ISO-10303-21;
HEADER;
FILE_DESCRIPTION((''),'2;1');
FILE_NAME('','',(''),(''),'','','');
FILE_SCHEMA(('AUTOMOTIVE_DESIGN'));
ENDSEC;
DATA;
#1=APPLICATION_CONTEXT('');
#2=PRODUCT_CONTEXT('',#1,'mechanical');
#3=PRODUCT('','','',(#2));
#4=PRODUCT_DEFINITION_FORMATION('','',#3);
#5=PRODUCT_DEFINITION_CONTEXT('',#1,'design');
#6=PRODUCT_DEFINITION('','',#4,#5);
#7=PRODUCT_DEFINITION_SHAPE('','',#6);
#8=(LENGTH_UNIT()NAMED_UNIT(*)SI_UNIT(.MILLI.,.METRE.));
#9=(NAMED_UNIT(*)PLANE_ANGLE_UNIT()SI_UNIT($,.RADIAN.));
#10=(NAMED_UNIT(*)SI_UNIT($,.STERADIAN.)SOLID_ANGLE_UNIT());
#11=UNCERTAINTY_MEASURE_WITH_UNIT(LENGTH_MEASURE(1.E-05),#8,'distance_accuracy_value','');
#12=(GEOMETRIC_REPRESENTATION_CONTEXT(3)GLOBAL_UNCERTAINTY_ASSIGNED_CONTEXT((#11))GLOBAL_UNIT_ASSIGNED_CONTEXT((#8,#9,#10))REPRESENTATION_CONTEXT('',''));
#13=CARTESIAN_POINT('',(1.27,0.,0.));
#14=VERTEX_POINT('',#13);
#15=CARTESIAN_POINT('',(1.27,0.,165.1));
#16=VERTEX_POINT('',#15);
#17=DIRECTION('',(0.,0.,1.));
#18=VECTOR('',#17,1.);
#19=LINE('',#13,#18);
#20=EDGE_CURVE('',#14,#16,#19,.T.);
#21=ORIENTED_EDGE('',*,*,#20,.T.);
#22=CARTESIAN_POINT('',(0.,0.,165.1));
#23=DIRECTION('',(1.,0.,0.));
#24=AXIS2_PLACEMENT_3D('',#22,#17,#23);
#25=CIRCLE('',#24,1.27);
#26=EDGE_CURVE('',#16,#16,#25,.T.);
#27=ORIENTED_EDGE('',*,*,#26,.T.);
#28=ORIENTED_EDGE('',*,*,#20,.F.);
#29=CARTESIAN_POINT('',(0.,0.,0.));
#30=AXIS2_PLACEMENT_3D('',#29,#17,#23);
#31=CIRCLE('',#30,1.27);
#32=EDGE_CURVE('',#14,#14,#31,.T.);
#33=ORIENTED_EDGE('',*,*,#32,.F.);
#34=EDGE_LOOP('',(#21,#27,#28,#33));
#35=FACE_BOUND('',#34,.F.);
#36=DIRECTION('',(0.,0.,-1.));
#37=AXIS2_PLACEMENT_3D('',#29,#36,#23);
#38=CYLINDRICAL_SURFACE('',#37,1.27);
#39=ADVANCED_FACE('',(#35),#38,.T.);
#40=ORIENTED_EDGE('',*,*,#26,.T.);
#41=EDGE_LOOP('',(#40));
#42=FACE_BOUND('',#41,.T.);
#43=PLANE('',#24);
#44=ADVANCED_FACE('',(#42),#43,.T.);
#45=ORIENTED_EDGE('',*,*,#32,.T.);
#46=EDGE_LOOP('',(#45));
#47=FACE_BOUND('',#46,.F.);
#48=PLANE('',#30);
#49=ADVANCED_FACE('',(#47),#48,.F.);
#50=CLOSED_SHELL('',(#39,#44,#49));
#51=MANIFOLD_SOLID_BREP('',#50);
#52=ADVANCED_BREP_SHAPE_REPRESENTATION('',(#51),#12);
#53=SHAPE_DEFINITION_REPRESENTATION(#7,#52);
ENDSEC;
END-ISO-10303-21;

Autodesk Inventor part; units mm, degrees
ref_plane "YZ Plane" through (0, 0, 0) normal (1, 0, 0) x (0, 1, 0)
ref_plane "XZ Plane" through (0, 0, 0) normal (0, 1, 0) x (-1, 0, 0)
ref_plane "XY Plane" through (0, 0, 0) normal (0, 0, 1) x (1, 0, 0)
sketch "Sketch1" plane through (0, 0, 0) normal (0, 0, 1) x (1, 0, 0)
  circle A0 centre (0, 0) radius 1.27
  dimension "d0" = 2.54
extrude "Extrusion1" add sketch "Sketch1" along normal blind 165.1
properties part number "Rod"
